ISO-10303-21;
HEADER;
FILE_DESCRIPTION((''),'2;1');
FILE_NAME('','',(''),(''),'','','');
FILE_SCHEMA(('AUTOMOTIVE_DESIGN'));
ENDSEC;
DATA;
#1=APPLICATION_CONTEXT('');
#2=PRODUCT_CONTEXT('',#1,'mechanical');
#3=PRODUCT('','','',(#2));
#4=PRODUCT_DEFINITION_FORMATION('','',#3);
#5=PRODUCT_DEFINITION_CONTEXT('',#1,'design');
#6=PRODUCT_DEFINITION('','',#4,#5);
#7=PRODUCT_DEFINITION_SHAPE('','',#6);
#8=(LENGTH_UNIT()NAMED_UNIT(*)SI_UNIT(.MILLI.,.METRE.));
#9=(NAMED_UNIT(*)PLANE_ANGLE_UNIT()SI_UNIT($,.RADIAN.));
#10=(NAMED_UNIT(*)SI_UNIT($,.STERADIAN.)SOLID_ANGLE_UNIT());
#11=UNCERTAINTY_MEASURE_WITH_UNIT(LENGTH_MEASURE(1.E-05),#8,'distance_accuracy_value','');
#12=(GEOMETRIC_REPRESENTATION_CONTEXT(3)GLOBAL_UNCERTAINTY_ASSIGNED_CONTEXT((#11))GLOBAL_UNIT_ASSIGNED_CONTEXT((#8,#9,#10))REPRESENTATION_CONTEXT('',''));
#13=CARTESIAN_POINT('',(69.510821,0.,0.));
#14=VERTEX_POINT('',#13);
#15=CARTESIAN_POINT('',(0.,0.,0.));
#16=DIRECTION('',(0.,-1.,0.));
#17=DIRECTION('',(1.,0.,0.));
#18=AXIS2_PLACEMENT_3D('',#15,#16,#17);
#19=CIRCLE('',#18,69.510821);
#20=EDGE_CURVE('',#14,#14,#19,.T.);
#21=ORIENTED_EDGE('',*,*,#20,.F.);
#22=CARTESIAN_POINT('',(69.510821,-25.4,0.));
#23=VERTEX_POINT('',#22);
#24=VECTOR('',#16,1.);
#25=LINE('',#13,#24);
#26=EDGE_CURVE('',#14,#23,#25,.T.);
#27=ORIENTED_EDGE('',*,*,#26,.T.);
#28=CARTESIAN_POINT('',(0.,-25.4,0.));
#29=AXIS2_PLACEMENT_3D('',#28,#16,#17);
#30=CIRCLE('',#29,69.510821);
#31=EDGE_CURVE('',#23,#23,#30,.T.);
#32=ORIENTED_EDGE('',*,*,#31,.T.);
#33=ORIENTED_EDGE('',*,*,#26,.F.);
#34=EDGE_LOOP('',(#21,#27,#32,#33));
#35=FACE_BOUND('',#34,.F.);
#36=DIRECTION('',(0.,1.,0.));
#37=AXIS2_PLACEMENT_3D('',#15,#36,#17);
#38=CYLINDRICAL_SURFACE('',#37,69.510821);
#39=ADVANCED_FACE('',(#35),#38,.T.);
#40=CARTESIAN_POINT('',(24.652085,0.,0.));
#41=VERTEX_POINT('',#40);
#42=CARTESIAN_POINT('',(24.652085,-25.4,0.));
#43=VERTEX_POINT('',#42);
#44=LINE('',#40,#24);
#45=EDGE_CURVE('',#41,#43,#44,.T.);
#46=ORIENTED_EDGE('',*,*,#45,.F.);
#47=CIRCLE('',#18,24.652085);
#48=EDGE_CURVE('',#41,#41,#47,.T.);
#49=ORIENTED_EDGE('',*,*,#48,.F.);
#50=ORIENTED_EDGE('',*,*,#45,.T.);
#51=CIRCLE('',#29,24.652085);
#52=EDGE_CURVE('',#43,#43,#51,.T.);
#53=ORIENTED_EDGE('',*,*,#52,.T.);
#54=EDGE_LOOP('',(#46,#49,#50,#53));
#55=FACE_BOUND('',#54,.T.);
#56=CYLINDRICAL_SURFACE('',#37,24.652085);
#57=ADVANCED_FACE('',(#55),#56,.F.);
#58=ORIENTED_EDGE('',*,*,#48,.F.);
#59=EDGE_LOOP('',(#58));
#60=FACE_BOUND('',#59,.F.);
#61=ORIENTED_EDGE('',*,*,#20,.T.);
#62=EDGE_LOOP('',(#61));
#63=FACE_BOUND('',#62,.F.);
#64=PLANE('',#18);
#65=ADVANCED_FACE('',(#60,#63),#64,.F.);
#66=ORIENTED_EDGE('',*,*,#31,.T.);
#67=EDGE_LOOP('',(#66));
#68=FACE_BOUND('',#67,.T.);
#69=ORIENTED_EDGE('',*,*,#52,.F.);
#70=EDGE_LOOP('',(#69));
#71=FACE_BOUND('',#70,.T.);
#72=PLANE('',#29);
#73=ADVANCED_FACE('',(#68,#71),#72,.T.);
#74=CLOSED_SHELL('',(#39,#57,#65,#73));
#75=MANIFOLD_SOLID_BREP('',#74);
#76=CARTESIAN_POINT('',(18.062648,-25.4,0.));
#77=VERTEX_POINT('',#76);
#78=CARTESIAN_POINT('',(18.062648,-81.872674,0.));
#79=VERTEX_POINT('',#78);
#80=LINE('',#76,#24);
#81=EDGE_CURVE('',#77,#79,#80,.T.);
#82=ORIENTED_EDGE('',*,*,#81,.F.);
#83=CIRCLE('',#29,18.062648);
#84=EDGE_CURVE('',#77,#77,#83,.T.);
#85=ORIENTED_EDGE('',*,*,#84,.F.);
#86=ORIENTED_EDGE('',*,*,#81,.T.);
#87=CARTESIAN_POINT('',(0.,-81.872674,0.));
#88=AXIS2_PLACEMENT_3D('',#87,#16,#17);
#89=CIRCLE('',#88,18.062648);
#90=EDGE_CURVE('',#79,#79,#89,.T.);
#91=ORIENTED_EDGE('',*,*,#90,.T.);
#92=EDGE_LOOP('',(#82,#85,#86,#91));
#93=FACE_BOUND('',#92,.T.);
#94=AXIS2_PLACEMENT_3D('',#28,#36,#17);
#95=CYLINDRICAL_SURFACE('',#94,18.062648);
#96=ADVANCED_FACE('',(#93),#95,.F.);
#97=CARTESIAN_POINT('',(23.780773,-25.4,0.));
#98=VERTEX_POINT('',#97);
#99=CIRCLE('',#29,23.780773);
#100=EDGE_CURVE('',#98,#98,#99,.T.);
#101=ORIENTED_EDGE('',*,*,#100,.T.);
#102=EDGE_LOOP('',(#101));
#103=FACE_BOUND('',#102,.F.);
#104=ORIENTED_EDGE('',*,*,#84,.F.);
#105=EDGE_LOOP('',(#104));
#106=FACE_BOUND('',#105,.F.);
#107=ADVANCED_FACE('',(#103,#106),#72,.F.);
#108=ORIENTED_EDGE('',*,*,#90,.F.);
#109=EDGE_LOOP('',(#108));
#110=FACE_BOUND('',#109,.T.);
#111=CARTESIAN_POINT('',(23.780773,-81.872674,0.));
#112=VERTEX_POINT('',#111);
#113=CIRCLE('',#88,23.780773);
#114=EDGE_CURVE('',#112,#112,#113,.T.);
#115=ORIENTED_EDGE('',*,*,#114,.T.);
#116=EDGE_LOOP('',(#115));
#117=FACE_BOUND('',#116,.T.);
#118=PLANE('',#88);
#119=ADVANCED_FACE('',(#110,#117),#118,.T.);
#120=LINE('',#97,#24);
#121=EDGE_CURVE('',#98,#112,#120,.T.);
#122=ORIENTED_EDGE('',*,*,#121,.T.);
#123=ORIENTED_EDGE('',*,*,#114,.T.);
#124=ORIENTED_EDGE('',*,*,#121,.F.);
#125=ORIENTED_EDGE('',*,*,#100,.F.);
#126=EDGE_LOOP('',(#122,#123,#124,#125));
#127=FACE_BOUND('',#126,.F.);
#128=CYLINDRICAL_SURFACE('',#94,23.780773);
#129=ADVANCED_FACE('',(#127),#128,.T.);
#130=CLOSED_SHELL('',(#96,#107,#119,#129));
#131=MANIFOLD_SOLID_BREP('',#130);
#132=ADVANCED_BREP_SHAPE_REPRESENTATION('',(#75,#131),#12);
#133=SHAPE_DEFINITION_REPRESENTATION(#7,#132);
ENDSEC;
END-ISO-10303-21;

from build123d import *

# Parameters (mm, degrees)
F0_R     = 69.510821
F0_R_2   = 24.652085
F1_DEPTH = 25.4
F2_R     = 23.780773
F2_R_2   = 18.062648
F3_DEPTH = 56.472674


with BuildPart() as f1:
    # F0 (on Front) → F1 (new body)
    with BuildSketch(Plane.XZ):
        Circle(F0_R)
        Circle(F0_R_2, mode=Mode.SUBTRACT)
    extrude(amount=F1_DEPTH)


with BuildPart() as f3:
    # F2 (on face) → F3 (new body)
    with BuildSketch(Plane.XZ.offset(25.4)):
        Circle(F2_R)
        Circle(F2_R_2, mode=Mode.SUBTRACT)
    extrude(amount=F3_DEPTH)


solid = Compound([f1.part, f3.part])
